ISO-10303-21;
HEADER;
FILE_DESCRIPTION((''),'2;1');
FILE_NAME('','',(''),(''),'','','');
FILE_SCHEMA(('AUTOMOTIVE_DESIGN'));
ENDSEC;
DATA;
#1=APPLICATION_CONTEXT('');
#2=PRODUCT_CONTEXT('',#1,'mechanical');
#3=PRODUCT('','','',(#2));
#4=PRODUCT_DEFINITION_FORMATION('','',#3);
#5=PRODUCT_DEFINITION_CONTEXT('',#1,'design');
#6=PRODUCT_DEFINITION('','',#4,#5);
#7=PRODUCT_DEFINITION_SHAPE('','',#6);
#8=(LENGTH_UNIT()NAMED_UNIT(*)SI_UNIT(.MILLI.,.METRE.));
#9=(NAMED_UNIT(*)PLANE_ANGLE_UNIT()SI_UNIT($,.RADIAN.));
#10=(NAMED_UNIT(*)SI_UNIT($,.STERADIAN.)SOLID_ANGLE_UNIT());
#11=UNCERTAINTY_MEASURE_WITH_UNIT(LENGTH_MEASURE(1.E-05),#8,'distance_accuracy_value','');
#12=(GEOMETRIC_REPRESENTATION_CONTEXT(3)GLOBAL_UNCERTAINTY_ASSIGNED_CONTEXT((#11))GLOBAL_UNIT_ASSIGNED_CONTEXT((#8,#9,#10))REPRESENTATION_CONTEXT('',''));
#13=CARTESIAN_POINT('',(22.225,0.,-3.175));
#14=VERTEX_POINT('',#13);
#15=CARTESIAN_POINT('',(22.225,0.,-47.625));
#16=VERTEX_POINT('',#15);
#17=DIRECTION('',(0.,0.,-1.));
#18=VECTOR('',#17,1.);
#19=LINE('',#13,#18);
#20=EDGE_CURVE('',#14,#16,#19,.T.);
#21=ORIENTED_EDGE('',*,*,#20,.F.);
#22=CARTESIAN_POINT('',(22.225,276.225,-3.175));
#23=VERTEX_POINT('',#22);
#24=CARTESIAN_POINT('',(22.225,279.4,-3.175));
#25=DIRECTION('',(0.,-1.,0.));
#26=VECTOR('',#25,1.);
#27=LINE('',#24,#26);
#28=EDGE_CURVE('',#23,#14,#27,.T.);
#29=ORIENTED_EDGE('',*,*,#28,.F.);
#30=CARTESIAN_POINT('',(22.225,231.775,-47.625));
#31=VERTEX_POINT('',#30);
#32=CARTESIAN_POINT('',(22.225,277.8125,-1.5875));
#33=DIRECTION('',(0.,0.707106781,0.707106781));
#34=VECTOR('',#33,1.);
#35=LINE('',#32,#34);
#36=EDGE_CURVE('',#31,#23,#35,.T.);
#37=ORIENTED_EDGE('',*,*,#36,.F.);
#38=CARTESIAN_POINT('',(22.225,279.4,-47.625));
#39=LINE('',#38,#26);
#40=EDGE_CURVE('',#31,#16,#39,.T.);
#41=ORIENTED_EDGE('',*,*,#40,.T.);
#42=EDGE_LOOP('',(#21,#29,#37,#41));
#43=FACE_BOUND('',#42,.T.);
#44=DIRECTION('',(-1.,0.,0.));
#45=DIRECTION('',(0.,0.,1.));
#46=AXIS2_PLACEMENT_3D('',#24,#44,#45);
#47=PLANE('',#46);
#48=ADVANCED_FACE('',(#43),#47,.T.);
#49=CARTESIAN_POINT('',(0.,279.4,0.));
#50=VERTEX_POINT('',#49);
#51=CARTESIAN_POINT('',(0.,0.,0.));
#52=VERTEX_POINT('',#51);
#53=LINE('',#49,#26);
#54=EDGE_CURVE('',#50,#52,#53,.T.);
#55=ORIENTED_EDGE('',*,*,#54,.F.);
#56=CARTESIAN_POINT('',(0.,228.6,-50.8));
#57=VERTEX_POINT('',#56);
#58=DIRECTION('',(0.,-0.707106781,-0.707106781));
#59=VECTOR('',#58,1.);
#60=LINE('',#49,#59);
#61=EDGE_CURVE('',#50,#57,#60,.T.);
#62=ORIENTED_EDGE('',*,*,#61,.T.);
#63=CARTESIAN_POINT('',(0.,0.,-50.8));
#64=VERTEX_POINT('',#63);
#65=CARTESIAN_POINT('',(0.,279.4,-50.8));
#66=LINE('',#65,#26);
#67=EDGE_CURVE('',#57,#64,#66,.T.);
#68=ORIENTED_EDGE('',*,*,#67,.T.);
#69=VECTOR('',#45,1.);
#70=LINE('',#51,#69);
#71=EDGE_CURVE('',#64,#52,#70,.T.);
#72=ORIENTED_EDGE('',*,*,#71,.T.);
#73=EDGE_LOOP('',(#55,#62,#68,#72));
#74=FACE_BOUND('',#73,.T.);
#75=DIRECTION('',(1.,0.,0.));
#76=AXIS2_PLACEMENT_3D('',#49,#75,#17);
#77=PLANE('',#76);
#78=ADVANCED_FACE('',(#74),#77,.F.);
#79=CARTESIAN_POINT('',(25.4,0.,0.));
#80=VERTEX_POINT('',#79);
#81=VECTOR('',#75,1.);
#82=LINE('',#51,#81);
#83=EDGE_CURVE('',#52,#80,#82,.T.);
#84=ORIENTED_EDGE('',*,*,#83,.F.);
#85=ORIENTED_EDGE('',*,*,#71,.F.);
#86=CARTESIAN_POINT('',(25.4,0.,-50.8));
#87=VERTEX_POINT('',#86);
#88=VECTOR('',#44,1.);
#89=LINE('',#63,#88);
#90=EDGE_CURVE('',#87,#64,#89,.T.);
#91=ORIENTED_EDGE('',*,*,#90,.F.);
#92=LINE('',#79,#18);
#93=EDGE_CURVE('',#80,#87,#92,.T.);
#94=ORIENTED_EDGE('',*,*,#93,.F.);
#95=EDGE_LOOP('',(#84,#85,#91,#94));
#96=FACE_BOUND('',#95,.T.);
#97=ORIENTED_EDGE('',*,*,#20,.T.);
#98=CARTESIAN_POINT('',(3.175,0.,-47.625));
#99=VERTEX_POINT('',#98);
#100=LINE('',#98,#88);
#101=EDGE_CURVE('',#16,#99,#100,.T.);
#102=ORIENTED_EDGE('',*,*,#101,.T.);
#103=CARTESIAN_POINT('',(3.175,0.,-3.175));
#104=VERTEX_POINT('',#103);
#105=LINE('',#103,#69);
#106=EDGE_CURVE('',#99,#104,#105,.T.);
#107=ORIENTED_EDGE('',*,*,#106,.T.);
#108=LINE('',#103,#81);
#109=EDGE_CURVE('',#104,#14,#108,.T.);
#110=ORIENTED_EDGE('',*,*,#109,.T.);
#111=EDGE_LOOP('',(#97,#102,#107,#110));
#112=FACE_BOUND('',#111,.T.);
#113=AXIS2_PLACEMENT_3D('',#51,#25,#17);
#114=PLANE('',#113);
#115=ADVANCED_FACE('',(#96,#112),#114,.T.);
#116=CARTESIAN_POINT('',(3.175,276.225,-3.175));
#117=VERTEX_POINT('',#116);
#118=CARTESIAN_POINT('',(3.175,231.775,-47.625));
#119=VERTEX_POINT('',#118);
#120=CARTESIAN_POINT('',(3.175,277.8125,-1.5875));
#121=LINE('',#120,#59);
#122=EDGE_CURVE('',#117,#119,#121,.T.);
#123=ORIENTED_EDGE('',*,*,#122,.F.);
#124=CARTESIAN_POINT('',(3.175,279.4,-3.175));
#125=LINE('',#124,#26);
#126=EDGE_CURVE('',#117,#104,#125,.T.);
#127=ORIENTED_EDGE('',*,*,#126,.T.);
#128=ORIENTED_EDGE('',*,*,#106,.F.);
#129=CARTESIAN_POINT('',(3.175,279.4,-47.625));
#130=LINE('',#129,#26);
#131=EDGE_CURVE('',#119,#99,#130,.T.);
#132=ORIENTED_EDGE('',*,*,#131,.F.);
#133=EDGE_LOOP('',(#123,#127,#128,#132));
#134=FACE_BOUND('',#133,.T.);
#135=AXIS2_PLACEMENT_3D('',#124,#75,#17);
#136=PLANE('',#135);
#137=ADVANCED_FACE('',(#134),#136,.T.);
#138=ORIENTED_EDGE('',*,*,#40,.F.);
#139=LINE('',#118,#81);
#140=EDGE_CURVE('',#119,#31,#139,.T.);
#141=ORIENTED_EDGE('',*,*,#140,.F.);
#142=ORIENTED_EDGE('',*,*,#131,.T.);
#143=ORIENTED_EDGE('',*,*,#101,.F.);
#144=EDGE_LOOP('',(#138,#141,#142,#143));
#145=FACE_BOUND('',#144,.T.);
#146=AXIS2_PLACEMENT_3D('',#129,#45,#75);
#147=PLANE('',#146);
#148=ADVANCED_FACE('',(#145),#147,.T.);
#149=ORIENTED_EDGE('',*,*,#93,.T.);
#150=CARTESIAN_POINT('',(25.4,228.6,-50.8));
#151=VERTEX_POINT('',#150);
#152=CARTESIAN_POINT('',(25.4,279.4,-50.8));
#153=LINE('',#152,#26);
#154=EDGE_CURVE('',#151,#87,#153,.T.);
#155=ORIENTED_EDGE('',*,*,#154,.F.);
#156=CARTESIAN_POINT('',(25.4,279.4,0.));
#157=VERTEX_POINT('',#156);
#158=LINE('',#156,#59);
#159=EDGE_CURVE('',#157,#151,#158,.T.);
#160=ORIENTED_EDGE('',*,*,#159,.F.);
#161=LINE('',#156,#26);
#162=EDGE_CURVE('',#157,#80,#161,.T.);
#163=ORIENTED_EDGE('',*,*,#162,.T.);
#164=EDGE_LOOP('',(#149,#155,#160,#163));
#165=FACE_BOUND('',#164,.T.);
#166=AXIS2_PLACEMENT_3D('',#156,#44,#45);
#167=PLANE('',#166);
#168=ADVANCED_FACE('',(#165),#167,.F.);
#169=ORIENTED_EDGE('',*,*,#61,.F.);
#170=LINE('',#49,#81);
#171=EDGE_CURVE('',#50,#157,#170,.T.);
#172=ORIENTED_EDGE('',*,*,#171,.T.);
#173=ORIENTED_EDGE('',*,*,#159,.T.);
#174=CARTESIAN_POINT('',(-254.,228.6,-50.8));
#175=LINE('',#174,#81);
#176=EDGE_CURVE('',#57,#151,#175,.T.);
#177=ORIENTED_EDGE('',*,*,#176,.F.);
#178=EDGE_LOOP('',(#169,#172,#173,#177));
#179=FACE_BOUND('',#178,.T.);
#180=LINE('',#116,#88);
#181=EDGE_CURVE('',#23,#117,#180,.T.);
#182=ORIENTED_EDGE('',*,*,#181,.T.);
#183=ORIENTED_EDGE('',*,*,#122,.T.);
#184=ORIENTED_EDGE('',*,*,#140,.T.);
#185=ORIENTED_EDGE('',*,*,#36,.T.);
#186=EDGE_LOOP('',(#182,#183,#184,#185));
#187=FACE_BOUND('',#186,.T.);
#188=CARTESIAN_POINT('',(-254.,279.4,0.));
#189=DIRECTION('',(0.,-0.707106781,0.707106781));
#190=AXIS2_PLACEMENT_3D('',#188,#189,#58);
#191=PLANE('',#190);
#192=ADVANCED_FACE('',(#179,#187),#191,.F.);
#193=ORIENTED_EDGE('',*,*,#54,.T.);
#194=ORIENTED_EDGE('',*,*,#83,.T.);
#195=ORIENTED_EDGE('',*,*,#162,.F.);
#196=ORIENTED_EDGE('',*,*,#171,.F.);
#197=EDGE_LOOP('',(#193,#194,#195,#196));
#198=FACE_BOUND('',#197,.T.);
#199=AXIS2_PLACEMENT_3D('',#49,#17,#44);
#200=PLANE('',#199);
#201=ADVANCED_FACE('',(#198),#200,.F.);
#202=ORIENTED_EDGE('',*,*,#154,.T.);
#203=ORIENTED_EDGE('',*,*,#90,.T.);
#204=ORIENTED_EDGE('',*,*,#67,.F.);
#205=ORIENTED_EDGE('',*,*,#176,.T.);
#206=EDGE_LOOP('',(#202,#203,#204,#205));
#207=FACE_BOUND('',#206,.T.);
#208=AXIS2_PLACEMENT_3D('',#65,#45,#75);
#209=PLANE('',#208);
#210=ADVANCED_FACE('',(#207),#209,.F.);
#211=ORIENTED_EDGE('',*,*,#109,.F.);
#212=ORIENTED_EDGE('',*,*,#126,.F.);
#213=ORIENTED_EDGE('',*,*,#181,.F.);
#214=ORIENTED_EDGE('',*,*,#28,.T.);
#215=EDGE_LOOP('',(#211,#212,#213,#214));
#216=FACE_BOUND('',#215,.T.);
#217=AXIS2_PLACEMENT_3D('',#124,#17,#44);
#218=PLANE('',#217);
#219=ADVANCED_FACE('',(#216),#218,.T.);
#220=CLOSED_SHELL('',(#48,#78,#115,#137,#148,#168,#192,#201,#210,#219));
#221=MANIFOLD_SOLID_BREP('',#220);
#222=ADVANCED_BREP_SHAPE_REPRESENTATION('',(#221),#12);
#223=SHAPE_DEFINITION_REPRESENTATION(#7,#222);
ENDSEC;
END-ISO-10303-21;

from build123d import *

# Parameters (mm, degrees)
SKETCH1_W           = 25.4
SKETCH1_H           = 50.8
SKETCH1_W_2         = 19.05
SKETCH1_H_2         = 44.45
BOSS_EXTRUDE1_DEPTH = 279.4
CUT_EXTRUDE1_DEPTH  = 279.4


with BuildPart() as part:
    # Sketch1 → Boss-Extrude1 (new body)
    with BuildSketch(Plane(origin=(0, 0, 0), x_dir=(1, 0, 0), z_dir=(0, 1, 0))):
        with Locations((12.7, 25.4)):
            Rectangle(SKETCH1_W, SKETCH1_H)
        with Locations((12.7, 25.4)):
            Rectangle(SKETCH1_W_2, SKETCH1_H_2, mode=Mode.SUBTRACT)
    extrude(amount=BOSS_EXTRUDE1_DEPTH)

    # Sketch2 → Cut-Extrude1 (cut)
    with BuildSketch(Plane(origin=(25.4, 0, 0), x_dir=(0, 0, -1), z_dir=(1, 0, 0))):
        Polygon((0, 279.4), (50.8, 228.6), (50.8, 279.4), align=None)
    extrude(amount=-CUT_EXTRUDE1_DEPTH, mode=Mode.SUBTRACT)


solid = part.part
